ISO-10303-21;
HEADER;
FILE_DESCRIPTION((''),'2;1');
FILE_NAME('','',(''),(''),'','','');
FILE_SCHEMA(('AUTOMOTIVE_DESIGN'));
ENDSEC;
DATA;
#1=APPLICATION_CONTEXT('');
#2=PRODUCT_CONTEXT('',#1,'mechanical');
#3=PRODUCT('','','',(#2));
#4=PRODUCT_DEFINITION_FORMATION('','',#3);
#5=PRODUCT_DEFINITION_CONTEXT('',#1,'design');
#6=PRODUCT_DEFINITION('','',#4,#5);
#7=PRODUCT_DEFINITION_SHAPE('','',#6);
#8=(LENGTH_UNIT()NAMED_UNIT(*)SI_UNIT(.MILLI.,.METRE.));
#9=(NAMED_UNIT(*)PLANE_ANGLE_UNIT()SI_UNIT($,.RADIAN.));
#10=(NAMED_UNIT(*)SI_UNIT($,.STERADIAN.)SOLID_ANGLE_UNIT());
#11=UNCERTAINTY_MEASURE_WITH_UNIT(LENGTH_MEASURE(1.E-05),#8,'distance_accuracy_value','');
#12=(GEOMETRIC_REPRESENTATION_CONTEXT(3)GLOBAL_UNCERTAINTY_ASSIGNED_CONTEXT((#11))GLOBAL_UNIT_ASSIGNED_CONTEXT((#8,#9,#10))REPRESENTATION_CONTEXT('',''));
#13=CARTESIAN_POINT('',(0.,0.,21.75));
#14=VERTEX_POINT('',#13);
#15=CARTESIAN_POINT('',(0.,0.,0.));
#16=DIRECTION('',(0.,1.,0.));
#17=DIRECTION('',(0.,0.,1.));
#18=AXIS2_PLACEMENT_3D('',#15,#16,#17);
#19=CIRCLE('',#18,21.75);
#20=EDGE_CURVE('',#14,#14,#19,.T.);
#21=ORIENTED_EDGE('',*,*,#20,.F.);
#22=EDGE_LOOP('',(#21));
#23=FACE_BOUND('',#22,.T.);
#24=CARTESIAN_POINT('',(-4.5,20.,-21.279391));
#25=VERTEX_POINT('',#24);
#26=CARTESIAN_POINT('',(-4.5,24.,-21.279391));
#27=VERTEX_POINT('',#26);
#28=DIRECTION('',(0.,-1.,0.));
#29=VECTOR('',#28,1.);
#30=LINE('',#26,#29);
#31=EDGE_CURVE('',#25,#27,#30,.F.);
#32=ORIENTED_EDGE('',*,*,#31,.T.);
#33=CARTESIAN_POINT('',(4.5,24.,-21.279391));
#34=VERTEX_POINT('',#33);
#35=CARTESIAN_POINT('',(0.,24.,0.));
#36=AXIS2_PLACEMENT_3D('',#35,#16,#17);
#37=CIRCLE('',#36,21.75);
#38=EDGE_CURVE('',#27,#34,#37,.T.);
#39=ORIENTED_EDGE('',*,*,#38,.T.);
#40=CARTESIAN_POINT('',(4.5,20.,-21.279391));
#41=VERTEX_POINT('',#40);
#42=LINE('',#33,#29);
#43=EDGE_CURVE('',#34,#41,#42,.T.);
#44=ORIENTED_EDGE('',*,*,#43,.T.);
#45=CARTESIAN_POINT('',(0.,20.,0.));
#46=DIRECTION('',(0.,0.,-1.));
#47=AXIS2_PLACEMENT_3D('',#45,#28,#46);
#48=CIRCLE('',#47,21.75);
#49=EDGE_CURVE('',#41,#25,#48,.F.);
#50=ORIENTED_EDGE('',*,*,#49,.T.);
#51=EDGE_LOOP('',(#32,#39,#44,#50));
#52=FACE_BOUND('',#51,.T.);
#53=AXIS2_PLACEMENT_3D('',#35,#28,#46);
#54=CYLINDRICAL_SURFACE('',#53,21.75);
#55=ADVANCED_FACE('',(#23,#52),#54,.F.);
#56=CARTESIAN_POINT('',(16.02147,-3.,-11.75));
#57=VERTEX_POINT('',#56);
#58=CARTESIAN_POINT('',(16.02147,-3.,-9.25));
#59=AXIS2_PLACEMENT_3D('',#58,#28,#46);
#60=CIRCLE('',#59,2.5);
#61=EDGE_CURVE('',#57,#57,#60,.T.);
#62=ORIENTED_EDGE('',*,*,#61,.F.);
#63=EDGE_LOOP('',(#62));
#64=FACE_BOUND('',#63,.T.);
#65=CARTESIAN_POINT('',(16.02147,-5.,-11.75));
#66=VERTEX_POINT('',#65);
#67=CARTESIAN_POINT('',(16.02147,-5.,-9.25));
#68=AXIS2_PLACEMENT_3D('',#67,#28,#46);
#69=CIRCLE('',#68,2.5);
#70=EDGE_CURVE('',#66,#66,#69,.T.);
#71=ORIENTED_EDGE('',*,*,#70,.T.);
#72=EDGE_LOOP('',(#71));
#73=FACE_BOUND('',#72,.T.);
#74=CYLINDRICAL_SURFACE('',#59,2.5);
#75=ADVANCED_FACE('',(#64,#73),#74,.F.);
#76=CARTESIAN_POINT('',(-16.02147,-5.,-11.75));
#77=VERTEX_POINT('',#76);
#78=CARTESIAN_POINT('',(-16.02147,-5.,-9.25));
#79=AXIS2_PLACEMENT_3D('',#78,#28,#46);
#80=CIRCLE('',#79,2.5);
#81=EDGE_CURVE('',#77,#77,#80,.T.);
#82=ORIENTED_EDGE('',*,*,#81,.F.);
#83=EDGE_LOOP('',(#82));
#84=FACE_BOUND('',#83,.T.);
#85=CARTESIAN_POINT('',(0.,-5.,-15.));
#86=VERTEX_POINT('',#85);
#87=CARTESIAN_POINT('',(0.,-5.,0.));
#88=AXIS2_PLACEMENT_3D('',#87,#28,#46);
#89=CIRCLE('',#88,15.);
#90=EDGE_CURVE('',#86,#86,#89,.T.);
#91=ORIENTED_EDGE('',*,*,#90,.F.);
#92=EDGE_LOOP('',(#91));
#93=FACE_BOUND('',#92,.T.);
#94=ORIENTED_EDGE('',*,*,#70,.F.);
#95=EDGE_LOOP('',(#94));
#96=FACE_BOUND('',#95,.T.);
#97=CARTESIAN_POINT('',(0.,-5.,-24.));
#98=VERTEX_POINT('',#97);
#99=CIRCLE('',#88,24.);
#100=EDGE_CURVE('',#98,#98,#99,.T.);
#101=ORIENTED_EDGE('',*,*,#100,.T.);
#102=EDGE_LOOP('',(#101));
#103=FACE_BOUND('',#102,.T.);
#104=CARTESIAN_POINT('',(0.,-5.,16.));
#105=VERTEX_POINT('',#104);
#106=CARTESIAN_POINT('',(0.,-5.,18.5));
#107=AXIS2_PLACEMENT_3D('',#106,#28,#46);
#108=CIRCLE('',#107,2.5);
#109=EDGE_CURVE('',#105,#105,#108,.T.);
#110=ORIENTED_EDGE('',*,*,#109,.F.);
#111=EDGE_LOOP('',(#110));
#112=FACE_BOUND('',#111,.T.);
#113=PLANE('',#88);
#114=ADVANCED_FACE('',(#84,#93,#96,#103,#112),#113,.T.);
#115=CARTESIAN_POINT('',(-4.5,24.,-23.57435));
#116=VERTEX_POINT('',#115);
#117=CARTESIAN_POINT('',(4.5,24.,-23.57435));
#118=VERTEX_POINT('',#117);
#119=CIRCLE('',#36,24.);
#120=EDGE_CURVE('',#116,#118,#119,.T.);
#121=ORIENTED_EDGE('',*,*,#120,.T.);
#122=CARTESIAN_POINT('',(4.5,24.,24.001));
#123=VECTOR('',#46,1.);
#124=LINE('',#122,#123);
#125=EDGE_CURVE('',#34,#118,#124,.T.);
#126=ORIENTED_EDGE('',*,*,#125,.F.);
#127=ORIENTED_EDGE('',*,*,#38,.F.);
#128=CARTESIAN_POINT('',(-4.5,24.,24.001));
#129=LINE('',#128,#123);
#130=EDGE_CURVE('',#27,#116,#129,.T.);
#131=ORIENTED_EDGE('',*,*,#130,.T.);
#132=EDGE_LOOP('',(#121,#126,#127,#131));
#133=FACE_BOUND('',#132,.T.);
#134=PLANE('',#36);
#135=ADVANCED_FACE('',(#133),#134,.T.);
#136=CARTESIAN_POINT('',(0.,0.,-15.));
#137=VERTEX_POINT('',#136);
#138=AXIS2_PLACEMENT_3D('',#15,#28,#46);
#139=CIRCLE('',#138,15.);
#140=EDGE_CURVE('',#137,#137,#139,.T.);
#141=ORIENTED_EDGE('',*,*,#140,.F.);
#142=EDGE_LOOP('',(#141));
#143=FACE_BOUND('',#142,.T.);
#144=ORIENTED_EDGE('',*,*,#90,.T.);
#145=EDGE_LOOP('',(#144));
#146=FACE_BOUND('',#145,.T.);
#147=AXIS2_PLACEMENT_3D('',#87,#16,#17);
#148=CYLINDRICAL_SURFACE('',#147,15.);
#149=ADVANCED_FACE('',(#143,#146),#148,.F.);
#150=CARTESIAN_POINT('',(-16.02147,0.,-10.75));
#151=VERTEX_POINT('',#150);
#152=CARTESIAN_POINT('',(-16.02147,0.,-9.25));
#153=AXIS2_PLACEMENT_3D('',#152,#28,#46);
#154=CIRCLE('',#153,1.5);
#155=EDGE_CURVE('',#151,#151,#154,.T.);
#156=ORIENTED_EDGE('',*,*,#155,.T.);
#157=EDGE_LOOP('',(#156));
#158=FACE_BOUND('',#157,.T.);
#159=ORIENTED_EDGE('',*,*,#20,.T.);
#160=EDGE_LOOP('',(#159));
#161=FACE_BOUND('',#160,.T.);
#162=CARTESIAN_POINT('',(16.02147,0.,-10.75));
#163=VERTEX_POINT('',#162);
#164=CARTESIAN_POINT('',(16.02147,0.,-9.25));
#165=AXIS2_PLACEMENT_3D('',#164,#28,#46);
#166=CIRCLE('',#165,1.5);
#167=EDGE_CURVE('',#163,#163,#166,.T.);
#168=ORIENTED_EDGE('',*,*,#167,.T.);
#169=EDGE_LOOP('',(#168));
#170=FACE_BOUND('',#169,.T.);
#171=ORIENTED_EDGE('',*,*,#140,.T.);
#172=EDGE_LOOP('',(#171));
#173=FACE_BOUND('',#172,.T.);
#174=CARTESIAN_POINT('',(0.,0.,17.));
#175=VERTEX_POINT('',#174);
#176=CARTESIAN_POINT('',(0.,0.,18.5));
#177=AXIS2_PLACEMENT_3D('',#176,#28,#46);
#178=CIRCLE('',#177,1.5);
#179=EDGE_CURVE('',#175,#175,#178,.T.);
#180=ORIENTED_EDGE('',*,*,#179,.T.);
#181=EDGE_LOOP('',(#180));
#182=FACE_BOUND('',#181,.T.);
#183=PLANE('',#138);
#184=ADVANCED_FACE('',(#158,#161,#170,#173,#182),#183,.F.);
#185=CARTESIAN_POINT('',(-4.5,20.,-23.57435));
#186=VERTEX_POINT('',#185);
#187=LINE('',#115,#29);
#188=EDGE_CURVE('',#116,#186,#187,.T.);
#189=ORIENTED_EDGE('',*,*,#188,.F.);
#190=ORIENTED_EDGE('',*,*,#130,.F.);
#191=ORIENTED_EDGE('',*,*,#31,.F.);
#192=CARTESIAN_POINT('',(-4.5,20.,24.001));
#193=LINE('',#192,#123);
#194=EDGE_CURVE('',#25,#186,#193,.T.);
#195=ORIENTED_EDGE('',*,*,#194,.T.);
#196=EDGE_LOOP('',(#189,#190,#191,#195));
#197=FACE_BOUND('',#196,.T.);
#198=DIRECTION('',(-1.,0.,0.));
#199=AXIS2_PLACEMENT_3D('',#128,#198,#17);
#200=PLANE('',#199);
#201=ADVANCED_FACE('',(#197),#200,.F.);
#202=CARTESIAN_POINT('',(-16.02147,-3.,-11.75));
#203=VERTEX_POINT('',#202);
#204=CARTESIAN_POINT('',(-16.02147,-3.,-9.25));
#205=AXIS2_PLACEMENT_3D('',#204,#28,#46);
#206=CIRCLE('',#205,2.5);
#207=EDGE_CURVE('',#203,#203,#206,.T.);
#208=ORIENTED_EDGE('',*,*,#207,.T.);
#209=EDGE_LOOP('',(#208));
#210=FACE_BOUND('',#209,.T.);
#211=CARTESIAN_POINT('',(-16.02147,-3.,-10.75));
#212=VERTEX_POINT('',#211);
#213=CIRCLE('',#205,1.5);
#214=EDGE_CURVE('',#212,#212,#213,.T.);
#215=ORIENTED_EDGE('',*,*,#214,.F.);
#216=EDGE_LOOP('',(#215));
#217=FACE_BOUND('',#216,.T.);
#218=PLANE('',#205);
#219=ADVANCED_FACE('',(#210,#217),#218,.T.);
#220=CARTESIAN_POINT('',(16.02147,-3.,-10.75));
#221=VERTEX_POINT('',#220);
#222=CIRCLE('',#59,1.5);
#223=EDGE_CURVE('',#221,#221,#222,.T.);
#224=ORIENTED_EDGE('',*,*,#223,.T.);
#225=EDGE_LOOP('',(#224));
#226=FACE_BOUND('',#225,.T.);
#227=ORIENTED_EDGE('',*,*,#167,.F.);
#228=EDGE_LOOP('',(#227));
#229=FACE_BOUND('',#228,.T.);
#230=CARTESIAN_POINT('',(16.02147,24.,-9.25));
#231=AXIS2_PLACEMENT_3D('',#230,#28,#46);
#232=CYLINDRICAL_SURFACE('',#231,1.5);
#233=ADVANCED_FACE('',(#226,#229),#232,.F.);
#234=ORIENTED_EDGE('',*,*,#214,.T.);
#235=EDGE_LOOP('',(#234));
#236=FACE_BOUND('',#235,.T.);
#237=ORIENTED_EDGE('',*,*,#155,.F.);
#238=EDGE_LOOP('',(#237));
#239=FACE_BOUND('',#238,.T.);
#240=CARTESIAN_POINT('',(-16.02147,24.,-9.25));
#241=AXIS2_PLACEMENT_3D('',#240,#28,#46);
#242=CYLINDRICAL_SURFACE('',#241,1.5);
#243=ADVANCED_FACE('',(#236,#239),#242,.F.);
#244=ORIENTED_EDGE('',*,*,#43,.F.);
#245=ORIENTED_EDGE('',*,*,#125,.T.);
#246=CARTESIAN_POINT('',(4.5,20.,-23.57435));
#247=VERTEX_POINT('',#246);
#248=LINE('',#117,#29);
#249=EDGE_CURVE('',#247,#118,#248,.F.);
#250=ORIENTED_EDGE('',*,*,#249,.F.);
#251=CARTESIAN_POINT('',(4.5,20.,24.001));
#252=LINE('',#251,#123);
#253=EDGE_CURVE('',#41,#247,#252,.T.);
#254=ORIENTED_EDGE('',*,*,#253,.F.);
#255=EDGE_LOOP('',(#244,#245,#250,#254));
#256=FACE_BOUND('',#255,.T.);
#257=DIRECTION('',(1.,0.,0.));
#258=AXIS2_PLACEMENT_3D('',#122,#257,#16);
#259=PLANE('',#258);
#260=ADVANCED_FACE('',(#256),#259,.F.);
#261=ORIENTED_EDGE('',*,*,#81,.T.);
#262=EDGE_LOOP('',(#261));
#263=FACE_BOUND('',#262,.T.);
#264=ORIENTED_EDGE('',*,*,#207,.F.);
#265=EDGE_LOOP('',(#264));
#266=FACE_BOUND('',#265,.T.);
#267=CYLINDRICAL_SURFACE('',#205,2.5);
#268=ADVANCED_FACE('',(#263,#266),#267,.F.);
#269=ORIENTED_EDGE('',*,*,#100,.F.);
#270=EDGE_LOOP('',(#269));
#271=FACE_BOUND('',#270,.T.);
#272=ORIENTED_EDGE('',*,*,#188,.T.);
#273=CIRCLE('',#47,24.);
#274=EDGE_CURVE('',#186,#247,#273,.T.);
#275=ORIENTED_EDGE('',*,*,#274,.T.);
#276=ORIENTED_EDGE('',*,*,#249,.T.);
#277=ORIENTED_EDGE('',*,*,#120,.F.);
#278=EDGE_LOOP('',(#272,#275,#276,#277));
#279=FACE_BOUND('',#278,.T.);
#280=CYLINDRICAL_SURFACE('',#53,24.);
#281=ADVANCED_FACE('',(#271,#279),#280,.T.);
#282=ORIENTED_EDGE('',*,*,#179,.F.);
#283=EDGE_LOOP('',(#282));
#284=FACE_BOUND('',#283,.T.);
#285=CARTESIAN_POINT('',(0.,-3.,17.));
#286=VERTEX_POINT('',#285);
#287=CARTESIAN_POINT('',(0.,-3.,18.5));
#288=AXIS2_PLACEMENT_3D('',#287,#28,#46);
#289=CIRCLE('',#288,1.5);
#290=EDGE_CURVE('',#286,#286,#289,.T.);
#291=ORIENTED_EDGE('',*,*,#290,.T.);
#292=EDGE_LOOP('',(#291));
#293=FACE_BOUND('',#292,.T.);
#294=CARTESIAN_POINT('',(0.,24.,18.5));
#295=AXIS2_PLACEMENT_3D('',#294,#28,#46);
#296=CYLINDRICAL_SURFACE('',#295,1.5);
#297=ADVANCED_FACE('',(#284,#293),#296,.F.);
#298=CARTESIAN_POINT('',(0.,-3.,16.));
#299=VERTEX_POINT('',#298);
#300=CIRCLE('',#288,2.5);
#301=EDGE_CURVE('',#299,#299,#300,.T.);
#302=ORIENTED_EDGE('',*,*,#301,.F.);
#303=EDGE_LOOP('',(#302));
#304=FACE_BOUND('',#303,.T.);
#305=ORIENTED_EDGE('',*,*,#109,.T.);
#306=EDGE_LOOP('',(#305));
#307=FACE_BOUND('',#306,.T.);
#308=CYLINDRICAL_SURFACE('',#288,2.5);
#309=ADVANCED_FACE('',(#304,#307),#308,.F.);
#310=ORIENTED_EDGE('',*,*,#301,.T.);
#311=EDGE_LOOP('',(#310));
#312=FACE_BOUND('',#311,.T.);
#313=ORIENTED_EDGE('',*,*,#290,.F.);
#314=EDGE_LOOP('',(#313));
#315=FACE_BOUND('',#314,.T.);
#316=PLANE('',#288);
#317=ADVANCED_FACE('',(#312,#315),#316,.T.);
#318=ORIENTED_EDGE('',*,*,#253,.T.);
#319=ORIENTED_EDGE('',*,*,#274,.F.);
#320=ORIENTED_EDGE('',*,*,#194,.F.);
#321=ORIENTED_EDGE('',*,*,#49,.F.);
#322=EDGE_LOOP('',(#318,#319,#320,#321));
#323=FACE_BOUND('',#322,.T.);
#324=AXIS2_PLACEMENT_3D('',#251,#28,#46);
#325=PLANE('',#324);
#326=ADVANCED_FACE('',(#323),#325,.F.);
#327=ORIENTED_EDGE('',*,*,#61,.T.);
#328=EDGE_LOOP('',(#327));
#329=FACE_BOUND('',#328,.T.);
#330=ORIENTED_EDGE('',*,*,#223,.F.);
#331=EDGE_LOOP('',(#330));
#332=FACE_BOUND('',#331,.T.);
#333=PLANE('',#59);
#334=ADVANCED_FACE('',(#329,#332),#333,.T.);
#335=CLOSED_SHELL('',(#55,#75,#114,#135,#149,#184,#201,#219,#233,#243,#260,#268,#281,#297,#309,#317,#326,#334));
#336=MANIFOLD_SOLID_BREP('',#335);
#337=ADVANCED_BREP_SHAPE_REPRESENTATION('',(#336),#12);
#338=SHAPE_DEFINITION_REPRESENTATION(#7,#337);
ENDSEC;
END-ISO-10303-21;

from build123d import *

# Parameters (mm, degrees)
SKETCH1_R               = 24
SKETCH1_R_2             = 21.75
BOSS_EXTRUDE1_DEPTH     = 24
BOSS_EXTRUDE2_START     = 5
SKETCH2_R               = 24
SKETCH2_R_2             = 15
BOSS_EXTRUDE2_DEPTH     = 5
SKETCH3_R               = 2.5
CUT_EXTRUDE1_DEPTH      = 2
SKETCH4_R               = 1.5
CUT_EXTRUDE2_DEPTH      = 44.370496884
CUT_EXTRUDE3_REACH      = 60.788
CUT_EXTRUDE3_END_RADIUS = 21.75
SKETCH5_W               = 9
SKETCH5_H               = 4


with BuildPart() as part:
    # Sketch1 → Boss-Extrude1 (new body)
    with BuildSketch(Plane(origin=(0, 0, 0), x_dir=(1, 0, 0), z_dir=(0, 1, 0))):
        with Locations(Location((0, 0, 0), (0, 0, 270))):
            Circle(SKETCH1_R)
        with Locations(Location((0, 0, 0), (0, 0, 270))):
            Circle(SKETCH1_R_2, mode=Mode.SUBTRACT)
    extrude(amount=BOSS_EXTRUDE1_DEPTH)

    # Sketch2 → Boss-Extrude2 (add)
    with BuildSketch(Plane.XZ.offset(BOSS_EXTRUDE2_START)):
        with Locations(Location((0, 0, 0), (0, 0, 270))):
            Circle(SKETCH2_R)
        with Locations(Location((0, 0, 0), (0, 0, 270))):
            Circle(SKETCH2_R_2, mode=Mode.SUBTRACT)
    extrude(amount=-BOSS_EXTRUDE2_DEPTH)

    # Sketch3 → Cut-Extrude1 (cut)
    with BuildSketch(Plane.XZ.offset(5)):
        with Locations(Location((0, 18.5, 0), (0, 0, 270))):
            Circle(SKETCH3_R)
        with Locations(Location((16.02146997, -9.25, 0), (0, 0, 270))):
            Circle(SKETCH3_R)
        with Locations(Location((-16.02146997, -9.25, 0), (0, 0, 270))):
            Circle(SKETCH3_R)
    extrude(amount=-CUT_EXTRUDE1_DEPTH, mode=Mode.SUBTRACT)

    # Sketch4 → Cut-Extrude2 (cut, through all)
    with BuildSketch(Plane.XZ.offset(3)):
        with Locations(Location((0, 18.5, 0), (0, 0, 270))):
            Circle(SKETCH4_R)
        with Locations(Location((16.02146997, -9.25, 0), (0, 0, 270))):
            Circle(SKETCH4_R)
        with Locations(Location((-16.02146997, -9.25, 0), (0, 0, 270))):
            Circle(SKETCH4_R)
    extrude(amount=-CUT_EXTRUDE2_DEPTH, mode=Mode.SUBTRACT)

    # Cut-Extrude3: up to this cylinder (the profile starts outside it)
    cut_extrude3_end = Plane(origin=(0, 22, 0), z_dir=(0, -1, 0)) * Cylinder(CUT_EXTRUDE3_END_RADIUS, 166.076, mode=Mode.PRIVATE)
    # Sketch5 → Cut-Extrude3 (cut, up to the surface)
    with BuildSketch(Plane(origin=(0, 0, -24), x_dir=(-1, 0, 0), z_dir=(0, 0, -1)), mode=Mode.PRIVATE) as cut_extrude3_sk1:
        with Locations((0, 22)):
            Rectangle(SKETCH5_W, SKETCH5_H)
    cut_extrude3_tool1 = extrude(cut_extrude3_sk1.sketch, amount=-CUT_EXTRUDE3_REACH, mode=Mode.PRIVATE) - cut_extrude3_end
    add(cut_extrude3_tool1.solids().sort_by_distance((0, 22, -24))[0], mode=Mode.SUBTRACT)


solid = part.part
